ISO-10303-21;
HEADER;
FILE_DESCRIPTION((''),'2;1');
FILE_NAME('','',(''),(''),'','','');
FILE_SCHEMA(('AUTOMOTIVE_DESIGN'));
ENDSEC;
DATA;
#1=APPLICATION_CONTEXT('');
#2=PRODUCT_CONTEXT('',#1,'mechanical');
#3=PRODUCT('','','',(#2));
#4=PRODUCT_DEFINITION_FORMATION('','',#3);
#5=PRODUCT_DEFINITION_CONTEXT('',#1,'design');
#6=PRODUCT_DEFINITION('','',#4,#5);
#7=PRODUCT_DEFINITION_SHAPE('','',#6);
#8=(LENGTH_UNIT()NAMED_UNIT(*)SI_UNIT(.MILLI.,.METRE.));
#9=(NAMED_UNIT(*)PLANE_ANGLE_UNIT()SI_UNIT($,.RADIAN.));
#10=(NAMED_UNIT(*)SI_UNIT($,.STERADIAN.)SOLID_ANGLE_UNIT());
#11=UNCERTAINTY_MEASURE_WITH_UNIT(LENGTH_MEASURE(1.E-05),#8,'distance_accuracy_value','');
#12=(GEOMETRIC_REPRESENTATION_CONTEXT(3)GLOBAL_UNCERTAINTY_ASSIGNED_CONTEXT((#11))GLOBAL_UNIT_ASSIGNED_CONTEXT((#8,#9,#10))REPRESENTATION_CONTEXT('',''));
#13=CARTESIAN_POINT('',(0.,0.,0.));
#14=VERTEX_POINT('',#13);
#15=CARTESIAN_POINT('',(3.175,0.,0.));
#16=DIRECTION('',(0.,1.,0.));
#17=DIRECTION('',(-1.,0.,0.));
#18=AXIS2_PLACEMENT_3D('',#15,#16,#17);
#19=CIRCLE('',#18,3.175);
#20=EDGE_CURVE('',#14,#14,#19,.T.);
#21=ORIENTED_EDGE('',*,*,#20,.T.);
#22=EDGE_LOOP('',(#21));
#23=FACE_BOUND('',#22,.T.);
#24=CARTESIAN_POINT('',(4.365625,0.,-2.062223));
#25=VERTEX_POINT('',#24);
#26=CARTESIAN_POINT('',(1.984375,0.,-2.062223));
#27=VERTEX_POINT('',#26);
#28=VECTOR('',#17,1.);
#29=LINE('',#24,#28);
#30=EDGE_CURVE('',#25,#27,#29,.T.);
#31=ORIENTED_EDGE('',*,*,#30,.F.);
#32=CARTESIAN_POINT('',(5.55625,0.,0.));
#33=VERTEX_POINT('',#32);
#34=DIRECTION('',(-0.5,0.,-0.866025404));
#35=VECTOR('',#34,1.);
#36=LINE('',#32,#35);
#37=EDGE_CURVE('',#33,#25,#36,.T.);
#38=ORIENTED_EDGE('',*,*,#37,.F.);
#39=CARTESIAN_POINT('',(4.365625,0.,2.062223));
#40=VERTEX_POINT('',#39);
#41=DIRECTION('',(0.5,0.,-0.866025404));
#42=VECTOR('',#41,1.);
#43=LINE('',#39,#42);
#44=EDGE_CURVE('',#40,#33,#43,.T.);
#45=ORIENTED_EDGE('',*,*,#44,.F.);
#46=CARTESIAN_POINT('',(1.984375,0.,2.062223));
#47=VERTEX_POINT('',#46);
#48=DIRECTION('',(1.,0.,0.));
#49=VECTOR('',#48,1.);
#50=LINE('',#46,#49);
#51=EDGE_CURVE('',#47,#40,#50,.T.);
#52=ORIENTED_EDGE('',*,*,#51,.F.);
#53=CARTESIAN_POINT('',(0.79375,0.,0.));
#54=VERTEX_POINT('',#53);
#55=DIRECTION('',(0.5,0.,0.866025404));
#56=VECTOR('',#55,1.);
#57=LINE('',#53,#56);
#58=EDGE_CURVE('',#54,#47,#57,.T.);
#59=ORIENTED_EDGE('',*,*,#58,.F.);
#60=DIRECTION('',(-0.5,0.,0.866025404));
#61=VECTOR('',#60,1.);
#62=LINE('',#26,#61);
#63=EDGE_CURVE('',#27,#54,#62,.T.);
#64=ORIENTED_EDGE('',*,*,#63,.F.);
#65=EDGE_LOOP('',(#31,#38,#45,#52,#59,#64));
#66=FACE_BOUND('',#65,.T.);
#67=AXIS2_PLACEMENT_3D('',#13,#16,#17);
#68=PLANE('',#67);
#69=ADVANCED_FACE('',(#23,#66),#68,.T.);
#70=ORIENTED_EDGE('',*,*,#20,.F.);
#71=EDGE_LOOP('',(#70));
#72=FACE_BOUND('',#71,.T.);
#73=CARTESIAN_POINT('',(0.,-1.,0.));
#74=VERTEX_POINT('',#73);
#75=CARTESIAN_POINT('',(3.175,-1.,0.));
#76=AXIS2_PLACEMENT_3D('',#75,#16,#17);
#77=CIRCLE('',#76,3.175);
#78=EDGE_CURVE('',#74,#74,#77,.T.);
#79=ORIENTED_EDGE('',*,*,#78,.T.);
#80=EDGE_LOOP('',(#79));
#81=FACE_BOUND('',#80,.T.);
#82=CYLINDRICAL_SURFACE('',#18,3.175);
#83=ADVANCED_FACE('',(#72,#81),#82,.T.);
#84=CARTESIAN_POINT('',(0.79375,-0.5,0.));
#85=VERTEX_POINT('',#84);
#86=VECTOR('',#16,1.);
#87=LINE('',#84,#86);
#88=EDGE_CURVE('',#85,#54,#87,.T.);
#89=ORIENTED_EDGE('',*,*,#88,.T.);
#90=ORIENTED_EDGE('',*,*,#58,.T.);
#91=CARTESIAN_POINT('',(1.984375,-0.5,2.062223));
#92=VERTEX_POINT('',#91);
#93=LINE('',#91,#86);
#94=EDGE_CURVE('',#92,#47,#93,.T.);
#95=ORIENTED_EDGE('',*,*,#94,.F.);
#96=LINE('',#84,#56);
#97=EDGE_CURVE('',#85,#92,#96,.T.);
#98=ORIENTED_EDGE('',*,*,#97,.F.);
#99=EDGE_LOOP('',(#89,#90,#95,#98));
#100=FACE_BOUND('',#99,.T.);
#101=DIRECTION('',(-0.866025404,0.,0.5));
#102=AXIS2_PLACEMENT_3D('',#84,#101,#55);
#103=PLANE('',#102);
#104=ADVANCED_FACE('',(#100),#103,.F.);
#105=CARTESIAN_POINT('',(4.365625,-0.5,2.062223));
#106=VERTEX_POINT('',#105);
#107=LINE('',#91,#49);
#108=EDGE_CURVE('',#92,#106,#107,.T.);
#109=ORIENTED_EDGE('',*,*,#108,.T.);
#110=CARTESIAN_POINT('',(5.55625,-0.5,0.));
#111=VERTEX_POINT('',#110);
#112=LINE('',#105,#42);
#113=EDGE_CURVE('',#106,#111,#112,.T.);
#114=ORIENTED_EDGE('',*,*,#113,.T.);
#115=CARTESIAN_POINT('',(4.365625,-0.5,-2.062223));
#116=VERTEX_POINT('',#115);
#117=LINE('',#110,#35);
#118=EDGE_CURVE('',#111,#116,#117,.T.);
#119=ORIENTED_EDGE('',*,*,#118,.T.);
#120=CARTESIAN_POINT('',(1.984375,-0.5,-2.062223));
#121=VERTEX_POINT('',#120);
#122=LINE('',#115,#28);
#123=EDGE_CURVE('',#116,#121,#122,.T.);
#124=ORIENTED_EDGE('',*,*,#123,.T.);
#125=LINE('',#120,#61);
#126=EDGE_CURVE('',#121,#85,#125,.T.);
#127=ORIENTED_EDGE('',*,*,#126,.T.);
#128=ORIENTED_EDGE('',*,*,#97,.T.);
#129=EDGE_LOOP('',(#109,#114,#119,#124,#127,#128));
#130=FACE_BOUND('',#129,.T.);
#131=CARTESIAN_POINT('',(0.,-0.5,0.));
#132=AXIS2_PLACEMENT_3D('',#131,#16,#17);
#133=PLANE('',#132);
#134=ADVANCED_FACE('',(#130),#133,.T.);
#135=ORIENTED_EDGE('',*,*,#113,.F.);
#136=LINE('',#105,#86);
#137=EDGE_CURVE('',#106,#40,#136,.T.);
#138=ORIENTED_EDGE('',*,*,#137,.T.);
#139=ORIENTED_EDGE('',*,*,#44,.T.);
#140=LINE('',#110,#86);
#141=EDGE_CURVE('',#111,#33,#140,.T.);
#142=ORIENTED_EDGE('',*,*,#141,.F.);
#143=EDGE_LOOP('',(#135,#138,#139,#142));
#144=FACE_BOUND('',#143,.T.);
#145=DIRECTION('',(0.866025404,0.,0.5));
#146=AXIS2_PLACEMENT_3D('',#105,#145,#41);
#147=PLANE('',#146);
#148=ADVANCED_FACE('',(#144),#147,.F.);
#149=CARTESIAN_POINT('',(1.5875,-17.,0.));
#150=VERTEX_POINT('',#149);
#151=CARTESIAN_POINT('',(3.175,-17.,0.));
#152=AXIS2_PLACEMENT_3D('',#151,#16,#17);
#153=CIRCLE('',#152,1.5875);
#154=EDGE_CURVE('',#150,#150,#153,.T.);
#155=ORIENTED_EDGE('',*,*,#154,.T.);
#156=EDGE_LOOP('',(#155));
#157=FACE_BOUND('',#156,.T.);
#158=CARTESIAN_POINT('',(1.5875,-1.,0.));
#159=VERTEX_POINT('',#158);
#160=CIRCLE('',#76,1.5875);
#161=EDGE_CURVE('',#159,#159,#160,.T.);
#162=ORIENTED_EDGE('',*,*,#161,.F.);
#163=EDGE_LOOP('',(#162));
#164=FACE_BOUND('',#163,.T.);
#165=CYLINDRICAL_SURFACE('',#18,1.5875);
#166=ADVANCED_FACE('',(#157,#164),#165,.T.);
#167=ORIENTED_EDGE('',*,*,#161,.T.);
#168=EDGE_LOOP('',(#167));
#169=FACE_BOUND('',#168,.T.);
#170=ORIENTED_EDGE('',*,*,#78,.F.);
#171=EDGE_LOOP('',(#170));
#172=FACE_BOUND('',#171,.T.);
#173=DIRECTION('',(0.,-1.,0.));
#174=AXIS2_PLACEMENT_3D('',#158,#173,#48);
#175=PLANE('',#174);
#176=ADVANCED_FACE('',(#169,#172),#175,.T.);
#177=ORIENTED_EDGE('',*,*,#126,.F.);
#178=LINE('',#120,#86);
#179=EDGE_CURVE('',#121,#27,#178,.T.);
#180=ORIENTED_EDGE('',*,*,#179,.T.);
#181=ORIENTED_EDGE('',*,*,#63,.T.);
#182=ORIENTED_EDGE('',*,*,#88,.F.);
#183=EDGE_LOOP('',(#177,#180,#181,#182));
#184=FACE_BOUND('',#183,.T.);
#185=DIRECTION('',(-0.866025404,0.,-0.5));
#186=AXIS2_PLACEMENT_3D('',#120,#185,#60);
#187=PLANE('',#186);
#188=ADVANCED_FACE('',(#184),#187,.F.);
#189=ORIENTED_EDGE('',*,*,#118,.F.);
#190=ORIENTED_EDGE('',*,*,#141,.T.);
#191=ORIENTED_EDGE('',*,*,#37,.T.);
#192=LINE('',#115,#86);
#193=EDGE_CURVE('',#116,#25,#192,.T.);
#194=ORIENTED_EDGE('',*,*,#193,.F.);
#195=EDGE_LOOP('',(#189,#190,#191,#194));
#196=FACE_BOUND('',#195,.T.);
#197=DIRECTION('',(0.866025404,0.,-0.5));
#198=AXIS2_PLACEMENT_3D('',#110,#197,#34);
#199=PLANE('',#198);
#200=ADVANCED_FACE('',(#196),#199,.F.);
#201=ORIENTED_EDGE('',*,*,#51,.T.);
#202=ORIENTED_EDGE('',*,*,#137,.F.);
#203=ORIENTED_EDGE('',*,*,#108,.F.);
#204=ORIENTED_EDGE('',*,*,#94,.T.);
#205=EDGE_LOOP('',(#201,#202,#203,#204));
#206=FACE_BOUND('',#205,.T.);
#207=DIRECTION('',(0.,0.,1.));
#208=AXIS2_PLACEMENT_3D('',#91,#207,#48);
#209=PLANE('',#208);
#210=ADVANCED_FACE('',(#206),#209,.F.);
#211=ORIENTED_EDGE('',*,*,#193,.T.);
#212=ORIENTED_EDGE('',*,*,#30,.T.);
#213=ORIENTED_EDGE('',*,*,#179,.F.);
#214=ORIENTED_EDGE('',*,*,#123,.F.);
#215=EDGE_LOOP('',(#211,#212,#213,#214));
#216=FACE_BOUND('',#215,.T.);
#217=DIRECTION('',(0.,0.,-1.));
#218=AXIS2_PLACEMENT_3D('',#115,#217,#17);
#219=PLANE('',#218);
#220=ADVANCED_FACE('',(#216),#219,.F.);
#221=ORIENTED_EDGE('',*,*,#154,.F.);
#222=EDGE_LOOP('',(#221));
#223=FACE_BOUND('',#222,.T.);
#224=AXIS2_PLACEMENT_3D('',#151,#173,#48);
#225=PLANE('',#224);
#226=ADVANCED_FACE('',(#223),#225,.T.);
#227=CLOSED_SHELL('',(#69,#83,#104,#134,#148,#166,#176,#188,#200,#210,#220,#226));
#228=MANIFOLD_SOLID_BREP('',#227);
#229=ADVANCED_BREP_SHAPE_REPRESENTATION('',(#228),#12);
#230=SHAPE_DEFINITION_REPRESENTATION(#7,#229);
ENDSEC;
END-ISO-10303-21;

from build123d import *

# Parameters (mm, degrees)
CUT_EXTRUDE1_DEPTH = 0.5


with BuildPart() as part:
    # Sketch1 → Revolve1 (revolve)
    with BuildSketch(Plane.XY):
        Polygon((0, 0), (3.175, 0), (3.175, -17), (1.5875, -17), (1.5875, -1), (0, -1), align=None)
    revolve(axis=Axis((3.175, 0, 0), (0, -1, 0)))

    # Sketch2 → Cut-Extrude1 (cut)
    with BuildSketch(Plane(origin=(0, 0, 0), x_dir=(1, 0, 0), z_dir=(0, 1, 0))):
        Polygon((5.55625, 0), (4.365625, 2.062222993), (1.984375, 2.062222993), (0.79375, 0), (1.984375, -2.062222993), (4.365625, -2.062222993), align=None)
    extrude(amount=-CUT_EXTRUDE1_DEPTH, mode=Mode.SUBTRACT)


solid = part.part
